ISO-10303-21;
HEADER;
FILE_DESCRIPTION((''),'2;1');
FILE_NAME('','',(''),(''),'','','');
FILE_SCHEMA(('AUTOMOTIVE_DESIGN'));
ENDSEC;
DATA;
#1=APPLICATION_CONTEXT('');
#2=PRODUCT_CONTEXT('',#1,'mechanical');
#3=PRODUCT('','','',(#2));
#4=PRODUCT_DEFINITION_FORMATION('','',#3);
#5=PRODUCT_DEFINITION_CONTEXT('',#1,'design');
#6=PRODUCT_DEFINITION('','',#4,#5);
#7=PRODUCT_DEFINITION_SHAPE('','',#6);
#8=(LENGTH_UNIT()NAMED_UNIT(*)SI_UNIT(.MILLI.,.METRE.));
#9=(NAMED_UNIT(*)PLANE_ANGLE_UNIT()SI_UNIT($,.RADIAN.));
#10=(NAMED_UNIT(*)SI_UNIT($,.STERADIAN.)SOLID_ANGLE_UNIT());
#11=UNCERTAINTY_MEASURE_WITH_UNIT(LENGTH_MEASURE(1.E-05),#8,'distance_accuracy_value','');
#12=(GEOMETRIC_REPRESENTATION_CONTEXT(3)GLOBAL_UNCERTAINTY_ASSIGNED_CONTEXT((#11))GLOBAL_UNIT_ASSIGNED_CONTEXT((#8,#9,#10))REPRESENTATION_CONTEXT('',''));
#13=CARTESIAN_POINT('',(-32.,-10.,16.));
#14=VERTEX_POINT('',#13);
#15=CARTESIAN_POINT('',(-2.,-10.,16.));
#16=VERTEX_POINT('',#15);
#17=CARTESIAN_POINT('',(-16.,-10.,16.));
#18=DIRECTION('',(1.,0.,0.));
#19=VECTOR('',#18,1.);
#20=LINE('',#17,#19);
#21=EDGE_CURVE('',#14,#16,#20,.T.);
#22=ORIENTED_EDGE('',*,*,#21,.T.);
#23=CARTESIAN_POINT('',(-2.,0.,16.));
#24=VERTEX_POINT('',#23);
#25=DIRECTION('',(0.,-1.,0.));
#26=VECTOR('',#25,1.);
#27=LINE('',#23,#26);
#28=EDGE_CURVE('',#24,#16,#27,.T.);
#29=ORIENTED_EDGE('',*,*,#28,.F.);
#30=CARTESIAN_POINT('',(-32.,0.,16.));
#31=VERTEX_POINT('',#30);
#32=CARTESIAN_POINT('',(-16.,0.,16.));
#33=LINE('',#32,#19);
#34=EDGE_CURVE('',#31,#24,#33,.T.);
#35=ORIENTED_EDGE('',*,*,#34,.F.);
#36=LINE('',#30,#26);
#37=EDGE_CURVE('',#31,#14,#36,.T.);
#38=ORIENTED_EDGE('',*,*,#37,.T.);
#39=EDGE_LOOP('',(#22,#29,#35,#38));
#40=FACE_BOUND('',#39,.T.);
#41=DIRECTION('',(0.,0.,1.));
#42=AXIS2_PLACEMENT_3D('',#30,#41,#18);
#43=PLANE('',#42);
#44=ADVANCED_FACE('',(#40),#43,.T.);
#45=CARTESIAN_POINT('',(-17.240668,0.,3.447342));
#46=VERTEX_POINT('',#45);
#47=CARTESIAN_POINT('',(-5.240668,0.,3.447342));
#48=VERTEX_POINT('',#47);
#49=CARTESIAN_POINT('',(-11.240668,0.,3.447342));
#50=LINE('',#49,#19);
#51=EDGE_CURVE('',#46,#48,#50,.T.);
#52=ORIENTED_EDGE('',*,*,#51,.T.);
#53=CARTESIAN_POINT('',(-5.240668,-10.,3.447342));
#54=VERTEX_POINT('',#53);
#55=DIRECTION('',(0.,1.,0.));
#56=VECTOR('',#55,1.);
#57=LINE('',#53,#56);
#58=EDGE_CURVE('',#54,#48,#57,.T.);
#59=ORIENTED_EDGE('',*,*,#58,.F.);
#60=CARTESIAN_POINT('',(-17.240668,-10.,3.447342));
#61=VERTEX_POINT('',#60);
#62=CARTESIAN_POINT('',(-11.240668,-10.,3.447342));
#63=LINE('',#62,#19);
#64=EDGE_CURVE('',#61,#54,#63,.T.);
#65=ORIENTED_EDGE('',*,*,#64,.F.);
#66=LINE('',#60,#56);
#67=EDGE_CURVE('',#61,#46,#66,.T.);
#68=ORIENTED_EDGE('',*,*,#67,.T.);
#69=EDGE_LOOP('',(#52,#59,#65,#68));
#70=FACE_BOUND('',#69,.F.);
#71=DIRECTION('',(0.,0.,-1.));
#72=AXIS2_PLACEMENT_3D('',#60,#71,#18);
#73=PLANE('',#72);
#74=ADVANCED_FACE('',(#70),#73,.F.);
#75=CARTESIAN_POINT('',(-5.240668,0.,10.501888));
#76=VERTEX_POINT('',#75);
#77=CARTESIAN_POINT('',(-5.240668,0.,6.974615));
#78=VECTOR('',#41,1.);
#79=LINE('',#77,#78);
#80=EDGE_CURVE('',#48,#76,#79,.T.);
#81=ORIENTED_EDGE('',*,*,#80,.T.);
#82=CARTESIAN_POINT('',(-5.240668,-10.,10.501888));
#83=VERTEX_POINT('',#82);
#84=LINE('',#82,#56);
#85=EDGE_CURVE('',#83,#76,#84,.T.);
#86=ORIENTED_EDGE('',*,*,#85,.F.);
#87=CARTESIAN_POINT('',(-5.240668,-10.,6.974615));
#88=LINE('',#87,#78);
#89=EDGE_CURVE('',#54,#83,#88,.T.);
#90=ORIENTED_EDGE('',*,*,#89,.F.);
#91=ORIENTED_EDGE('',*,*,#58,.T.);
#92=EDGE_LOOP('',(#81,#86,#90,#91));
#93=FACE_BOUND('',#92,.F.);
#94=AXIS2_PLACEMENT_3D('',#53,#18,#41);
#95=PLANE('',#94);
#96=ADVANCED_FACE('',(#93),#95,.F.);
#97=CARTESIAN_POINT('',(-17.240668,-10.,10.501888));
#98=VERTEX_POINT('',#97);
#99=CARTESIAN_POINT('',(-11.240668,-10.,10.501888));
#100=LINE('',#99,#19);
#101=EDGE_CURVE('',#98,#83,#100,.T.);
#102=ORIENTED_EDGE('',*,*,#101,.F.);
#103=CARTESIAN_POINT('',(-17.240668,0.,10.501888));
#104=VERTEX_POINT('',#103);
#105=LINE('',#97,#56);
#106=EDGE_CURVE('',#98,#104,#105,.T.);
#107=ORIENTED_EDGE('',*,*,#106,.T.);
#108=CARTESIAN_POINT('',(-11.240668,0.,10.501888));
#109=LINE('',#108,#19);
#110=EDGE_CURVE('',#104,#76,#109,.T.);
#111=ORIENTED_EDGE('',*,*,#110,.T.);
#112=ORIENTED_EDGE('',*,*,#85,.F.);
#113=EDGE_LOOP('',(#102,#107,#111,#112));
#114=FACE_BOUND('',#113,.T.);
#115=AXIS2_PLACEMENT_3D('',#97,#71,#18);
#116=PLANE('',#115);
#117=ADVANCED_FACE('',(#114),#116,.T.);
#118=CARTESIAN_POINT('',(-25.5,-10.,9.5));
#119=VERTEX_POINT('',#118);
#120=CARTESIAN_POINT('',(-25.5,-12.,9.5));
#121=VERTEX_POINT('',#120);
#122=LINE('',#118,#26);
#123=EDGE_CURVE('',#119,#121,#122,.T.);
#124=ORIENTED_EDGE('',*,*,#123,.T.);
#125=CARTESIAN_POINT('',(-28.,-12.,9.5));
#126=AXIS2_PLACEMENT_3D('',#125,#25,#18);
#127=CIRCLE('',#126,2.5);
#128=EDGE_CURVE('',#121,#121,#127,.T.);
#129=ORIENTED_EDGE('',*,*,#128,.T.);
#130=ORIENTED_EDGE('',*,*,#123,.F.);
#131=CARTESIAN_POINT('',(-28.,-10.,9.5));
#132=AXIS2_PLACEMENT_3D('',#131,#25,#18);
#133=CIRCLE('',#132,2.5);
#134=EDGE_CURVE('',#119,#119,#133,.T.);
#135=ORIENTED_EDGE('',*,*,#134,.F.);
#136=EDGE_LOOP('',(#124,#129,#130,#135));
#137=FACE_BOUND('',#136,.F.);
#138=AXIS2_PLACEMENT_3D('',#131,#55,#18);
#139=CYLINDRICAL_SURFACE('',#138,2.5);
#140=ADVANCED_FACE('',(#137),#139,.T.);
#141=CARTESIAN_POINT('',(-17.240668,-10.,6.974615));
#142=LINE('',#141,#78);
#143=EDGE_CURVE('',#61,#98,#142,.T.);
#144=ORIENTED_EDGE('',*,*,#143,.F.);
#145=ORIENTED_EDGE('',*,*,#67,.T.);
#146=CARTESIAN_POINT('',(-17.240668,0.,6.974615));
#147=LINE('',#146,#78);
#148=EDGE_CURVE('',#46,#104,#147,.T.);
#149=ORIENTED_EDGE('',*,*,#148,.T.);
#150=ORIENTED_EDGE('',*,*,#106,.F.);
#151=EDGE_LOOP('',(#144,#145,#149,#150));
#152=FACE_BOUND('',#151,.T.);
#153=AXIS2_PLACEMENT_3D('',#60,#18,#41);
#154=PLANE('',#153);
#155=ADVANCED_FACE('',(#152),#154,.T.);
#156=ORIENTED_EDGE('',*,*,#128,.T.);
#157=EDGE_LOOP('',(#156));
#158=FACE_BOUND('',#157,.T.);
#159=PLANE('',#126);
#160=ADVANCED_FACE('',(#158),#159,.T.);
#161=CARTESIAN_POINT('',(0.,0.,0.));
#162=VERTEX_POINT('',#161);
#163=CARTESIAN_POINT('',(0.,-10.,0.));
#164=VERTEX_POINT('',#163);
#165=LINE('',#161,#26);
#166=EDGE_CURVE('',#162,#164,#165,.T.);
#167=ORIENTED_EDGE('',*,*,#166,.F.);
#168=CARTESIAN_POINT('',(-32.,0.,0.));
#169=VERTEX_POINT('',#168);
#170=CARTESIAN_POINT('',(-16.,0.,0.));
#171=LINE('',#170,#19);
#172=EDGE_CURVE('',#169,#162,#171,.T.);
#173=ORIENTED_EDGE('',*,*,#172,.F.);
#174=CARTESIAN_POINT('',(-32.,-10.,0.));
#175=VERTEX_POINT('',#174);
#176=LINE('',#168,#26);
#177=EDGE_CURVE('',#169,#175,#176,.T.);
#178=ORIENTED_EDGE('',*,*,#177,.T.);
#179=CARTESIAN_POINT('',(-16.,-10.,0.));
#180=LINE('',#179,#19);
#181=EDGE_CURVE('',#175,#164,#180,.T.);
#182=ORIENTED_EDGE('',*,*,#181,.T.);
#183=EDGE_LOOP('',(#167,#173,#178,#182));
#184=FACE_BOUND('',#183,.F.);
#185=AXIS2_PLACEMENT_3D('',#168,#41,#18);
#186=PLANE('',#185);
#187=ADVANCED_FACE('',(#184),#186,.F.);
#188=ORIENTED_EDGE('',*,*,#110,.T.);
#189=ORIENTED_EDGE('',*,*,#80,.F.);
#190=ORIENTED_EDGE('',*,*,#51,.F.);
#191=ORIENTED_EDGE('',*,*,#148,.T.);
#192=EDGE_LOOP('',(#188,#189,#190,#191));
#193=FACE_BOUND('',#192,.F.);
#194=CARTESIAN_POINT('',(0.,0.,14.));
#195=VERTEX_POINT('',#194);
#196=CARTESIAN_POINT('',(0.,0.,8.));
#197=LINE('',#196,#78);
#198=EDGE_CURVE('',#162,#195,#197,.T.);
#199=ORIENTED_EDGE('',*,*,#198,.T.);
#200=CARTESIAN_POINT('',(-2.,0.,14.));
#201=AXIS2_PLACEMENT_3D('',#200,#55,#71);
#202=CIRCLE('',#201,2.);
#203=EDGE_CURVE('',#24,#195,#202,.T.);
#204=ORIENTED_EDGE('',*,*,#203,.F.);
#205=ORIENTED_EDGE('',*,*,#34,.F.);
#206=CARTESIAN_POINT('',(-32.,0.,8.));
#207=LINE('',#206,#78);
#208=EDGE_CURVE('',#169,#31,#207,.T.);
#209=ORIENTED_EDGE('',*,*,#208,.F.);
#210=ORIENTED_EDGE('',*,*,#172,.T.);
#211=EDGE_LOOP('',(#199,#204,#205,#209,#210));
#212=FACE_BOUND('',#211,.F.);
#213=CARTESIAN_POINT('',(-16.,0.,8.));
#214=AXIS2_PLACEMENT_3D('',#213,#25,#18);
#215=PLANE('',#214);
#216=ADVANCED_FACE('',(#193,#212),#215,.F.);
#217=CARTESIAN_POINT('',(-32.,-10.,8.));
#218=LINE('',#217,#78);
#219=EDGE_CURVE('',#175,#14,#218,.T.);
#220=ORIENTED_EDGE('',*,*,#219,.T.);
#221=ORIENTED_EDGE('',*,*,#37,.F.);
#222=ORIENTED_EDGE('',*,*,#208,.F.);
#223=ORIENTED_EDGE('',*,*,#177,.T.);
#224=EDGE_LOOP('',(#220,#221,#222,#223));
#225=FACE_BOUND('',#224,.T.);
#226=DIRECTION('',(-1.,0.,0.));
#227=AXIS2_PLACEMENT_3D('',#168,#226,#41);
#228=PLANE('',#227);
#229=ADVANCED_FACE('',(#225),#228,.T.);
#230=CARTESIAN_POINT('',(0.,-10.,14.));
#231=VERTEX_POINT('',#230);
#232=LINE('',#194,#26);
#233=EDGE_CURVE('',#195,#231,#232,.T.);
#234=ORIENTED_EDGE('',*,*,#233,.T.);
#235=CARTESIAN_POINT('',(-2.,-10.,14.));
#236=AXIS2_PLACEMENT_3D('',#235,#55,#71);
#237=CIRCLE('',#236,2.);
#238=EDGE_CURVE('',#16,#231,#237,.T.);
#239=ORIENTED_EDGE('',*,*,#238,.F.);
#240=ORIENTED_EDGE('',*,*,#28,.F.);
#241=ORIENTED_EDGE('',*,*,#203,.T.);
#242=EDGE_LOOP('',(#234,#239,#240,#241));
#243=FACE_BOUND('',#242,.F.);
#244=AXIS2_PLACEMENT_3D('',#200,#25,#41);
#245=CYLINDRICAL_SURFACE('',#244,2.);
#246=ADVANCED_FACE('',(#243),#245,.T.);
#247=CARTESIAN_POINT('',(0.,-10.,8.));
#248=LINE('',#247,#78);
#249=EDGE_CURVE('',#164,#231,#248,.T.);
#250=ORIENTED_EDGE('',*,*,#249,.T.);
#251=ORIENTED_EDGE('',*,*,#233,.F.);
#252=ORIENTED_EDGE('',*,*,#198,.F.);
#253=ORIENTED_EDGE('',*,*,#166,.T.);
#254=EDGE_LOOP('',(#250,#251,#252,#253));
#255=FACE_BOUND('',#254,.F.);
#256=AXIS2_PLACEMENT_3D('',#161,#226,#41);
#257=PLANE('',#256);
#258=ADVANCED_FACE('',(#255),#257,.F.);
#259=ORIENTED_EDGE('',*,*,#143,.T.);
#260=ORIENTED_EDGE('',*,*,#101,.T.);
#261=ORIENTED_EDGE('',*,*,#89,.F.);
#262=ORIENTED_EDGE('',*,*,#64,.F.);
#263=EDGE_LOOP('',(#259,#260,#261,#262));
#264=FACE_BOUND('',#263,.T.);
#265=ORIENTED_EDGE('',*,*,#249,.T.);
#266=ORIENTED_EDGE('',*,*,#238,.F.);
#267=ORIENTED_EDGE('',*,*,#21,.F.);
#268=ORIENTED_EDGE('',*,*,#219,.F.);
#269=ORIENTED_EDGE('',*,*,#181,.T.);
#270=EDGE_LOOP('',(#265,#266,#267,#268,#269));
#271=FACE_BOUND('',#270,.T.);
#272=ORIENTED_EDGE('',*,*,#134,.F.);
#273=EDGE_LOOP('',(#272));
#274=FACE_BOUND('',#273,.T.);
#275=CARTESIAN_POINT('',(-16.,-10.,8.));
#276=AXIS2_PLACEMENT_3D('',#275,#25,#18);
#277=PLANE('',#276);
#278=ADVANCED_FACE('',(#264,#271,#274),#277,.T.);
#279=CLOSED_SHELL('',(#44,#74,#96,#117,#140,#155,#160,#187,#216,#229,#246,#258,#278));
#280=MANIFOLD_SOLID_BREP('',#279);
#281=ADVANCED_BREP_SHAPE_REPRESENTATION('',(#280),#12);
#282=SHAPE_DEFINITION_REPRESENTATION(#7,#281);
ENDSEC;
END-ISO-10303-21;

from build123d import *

# Parameters (mm, degrees)
F0_W     = 32
F0_H     = 16
F1_DEPTH = 10
F2_R     = 2.5
F3_DEPTH = 2
F4_R     = 2
F5_W     = 12
F5_H     = 7.054545
F6_DEPTH = 10


with BuildPart() as f1:
    # F0 (on Front) → F1 (new body)
    with BuildSketch(Plane.XZ):
        with Locations((-16, 8)):
            Rectangle(F0_W, F0_H)
    extrude(amount=F1_DEPTH)

    # F2 (on face) → F3 (join)
    with BuildSketch(Plane.XZ.offset(10)):
        with Locations((-28, 9.5)):
            Circle(F2_R)
    extrude(amount=F3_DEPTH)

    # F4
    f4_edges = [f1.edges().sort_by_distance(p)[0] for p in [
        (0, -5, 16),
    ]]
    fillet(f4_edges, radius=F4_R)

    # F5 (on face) → F6 (cut, through all)
    with BuildSketch(Plane.XZ.offset(10)):
        with Locations((-11.240668, 6.974615)):
            Rectangle(F5_W, F5_H)
    extrude(amount=-F6_DEPTH, mode=Mode.SUBTRACT)


solid = f1.part
